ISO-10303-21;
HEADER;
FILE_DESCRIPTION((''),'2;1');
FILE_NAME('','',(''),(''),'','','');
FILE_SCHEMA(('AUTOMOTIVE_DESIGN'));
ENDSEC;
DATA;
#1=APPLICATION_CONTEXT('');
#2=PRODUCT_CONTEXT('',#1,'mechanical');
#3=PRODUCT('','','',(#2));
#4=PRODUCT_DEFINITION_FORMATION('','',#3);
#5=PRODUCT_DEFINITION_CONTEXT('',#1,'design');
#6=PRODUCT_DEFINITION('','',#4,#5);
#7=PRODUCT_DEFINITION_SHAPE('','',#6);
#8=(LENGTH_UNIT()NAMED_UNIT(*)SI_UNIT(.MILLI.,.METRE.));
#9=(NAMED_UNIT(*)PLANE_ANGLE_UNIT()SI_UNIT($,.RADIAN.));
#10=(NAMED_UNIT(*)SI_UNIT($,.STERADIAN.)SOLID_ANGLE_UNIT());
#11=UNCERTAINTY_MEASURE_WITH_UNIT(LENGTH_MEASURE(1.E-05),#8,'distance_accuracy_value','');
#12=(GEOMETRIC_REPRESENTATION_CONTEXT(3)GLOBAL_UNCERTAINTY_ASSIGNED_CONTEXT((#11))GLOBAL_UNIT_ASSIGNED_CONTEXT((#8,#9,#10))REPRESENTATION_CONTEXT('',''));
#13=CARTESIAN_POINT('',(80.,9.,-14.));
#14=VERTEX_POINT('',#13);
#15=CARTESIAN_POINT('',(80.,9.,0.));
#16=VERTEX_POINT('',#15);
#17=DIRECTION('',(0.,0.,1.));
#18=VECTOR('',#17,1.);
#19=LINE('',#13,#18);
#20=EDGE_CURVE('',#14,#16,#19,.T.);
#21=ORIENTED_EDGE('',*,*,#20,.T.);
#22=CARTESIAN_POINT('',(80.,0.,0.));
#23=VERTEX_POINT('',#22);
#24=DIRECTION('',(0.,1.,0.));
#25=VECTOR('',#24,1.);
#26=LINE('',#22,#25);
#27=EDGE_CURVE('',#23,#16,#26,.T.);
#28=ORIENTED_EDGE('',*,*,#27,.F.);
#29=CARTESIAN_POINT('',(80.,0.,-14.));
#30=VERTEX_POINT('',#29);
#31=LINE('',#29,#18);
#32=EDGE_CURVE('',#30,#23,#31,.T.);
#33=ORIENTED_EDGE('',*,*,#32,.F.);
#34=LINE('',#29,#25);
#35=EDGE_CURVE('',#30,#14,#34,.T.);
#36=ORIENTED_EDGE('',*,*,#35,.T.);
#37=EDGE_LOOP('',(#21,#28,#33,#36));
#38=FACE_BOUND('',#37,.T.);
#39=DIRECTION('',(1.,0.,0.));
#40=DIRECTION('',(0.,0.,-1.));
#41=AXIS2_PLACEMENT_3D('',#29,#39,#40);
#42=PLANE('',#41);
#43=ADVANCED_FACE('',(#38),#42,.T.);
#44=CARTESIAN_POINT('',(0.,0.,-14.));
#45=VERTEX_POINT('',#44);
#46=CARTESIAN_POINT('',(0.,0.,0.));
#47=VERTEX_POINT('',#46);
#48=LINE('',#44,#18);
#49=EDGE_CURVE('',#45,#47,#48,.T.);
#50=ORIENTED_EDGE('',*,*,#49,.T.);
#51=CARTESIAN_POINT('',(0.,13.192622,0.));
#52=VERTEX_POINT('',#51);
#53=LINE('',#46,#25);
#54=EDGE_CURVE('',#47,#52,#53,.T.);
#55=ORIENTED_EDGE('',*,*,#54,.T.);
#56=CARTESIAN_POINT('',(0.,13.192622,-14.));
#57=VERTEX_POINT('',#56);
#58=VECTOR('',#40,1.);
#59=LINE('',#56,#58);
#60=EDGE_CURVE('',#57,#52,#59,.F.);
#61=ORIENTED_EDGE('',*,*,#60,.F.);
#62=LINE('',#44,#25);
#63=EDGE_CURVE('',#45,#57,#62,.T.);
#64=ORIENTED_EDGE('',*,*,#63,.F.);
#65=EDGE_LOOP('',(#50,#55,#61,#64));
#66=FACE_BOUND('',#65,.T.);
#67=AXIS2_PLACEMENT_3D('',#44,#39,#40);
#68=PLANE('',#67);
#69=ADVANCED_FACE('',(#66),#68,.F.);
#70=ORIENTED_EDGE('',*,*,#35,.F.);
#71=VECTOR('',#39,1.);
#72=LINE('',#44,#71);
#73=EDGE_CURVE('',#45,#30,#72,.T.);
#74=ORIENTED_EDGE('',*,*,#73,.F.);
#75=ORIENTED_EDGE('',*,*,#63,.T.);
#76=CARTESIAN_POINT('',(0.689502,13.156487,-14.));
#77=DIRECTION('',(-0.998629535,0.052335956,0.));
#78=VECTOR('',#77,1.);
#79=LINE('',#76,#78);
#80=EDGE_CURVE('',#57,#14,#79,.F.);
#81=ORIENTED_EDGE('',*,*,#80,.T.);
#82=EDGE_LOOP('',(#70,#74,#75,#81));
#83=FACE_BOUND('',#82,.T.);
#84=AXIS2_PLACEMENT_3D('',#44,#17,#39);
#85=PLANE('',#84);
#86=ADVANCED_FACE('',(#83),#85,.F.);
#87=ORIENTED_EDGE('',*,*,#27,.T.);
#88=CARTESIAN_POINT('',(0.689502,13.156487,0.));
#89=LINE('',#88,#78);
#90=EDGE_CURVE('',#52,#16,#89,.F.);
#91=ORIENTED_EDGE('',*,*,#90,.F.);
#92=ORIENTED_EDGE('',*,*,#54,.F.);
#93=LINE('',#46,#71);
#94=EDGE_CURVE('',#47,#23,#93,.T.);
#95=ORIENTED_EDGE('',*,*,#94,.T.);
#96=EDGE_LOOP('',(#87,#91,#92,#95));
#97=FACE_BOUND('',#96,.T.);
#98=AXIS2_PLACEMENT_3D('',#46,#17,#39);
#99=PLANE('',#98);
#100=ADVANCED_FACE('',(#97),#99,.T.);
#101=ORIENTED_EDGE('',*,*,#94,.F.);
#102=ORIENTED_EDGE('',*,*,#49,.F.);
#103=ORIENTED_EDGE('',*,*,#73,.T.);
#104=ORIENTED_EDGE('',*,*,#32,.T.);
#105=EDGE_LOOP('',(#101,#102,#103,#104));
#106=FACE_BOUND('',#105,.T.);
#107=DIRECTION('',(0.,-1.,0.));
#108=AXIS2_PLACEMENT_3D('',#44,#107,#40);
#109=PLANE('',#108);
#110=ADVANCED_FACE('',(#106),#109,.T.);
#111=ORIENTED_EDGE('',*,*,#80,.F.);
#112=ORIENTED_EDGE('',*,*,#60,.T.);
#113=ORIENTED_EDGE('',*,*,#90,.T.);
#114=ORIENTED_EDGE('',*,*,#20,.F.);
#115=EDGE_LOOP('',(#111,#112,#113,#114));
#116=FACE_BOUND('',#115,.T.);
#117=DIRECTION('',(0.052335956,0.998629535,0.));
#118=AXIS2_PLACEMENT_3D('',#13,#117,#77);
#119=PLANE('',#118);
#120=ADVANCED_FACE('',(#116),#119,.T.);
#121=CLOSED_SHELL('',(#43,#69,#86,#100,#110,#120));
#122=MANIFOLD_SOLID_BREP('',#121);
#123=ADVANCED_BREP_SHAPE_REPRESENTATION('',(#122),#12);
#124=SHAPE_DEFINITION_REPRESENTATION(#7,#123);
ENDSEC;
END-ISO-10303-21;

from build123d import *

# Parameters (mm, degrees)
SKETCH1_W           = 80
SKETCH1_H           = 9
BOSS_EXTRUDE1_DEPTH = 14
DRAFT1_ANGLE        = 3


with BuildPart() as part:
    # Sketch1 → Boss-Extrude1 (new body)
    with BuildSketch(Plane.XY):
        with Locations((40, 4.5)):
            Rectangle(SKETCH1_W, SKETCH1_H)
    extrude(amount=-BOSS_EXTRUDE1_DEPTH)

    # Draft1
    draft1_faces = [part.faces().sort_by_distance(p)[0] for p in [
        (40, 9, -7),
    ]]
    draft(draft1_faces, Plane(origin=(80, 0, -14), x_dir=(0, 0, 1), z_dir=(1, 0, 0)), DRAFT1_ANGLE)


solid = part.part
